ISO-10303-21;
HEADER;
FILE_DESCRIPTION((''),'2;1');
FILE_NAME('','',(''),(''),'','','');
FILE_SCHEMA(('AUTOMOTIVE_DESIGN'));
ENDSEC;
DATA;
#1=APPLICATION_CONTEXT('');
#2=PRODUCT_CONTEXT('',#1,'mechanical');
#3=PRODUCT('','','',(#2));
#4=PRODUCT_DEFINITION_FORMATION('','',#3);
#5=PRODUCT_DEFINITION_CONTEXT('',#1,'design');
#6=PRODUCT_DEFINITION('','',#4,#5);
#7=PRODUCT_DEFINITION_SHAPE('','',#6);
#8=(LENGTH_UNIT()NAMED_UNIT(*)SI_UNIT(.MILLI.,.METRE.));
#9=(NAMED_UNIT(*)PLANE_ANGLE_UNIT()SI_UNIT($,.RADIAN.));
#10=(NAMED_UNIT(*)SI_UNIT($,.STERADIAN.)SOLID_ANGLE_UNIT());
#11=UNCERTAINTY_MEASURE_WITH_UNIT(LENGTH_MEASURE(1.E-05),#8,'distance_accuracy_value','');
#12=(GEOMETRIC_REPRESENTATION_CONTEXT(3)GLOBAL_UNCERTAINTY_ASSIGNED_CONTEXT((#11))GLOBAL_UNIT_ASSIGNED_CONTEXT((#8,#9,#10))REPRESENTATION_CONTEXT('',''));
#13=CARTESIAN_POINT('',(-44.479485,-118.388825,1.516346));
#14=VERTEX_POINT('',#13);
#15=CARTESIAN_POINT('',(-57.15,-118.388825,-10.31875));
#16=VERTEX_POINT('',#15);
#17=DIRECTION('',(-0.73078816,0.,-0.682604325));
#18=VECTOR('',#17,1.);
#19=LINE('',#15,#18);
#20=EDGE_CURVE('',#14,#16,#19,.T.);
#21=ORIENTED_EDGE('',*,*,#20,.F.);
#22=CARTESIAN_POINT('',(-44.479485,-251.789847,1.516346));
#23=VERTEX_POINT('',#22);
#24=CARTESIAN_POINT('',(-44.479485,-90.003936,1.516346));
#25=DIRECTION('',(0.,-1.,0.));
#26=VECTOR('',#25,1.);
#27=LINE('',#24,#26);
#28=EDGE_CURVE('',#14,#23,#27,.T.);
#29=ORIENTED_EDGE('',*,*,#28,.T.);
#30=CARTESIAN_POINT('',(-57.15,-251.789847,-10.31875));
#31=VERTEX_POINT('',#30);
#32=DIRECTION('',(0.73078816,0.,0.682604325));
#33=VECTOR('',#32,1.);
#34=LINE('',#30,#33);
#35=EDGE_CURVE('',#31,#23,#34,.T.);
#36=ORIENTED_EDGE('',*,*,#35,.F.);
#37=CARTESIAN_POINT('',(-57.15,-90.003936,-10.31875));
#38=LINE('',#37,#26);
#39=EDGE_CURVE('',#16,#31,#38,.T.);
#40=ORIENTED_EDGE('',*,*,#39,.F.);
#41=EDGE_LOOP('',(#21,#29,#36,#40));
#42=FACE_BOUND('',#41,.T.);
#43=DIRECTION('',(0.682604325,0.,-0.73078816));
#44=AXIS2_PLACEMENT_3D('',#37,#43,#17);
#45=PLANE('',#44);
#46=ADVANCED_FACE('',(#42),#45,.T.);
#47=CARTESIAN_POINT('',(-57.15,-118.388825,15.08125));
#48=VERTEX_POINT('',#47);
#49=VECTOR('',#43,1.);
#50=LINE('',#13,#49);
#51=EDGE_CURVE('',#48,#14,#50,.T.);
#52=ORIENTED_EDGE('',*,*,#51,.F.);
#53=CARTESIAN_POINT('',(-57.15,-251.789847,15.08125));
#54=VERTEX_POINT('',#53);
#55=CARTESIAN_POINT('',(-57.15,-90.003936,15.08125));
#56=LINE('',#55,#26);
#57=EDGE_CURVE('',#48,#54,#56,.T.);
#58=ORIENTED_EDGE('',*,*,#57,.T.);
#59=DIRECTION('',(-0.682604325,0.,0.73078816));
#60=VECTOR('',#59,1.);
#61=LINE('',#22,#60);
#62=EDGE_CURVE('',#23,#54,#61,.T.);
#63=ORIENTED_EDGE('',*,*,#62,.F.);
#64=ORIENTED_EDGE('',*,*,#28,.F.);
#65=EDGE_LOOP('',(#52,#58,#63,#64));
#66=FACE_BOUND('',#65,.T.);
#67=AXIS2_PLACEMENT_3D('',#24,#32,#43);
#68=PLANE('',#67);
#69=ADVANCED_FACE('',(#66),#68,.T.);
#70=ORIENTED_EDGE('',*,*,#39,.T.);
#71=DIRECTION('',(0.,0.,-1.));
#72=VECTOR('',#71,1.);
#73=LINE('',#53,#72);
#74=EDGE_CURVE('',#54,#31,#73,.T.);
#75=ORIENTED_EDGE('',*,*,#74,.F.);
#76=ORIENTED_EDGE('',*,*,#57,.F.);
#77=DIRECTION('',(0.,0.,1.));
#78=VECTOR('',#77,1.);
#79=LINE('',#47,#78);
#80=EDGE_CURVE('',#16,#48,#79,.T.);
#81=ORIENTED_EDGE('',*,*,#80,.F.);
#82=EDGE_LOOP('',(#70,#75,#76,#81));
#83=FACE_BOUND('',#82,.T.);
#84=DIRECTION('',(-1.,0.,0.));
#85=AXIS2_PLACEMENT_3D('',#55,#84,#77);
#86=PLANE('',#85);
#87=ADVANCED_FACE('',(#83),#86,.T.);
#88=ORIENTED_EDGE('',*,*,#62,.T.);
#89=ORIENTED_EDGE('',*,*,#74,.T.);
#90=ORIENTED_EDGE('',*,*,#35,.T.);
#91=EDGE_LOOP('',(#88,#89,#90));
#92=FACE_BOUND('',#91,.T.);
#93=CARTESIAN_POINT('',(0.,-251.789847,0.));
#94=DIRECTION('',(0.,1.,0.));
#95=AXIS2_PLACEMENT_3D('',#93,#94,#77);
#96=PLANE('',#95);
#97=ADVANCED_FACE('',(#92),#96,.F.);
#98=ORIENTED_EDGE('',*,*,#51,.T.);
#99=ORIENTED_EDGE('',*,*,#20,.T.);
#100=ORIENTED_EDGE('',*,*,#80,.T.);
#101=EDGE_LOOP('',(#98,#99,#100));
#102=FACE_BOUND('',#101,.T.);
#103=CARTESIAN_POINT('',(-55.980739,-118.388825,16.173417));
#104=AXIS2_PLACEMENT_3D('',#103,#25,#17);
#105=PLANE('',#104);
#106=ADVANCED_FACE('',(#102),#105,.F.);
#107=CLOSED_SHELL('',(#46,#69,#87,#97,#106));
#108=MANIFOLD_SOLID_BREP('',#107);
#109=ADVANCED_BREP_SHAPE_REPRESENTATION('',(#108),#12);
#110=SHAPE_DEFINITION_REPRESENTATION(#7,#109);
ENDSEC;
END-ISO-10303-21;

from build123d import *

# Parameters (mm, degrees)
BOSS_EXTRUDE1_DEPTH = 133.401022209


with BuildPart() as part:
    # Sketch1 → Boss-Extrude1 (new body)
    with BuildSketch(Plane.XZ.offset(251.789847126)):
        Polygon((-57.150000006, 15.081250007), (-57.15, -10.31875), (-44.479485361, 1.516346092), align=None)
    extrude(amount=-BOSS_EXTRUDE1_DEPTH)


solid = part.part
